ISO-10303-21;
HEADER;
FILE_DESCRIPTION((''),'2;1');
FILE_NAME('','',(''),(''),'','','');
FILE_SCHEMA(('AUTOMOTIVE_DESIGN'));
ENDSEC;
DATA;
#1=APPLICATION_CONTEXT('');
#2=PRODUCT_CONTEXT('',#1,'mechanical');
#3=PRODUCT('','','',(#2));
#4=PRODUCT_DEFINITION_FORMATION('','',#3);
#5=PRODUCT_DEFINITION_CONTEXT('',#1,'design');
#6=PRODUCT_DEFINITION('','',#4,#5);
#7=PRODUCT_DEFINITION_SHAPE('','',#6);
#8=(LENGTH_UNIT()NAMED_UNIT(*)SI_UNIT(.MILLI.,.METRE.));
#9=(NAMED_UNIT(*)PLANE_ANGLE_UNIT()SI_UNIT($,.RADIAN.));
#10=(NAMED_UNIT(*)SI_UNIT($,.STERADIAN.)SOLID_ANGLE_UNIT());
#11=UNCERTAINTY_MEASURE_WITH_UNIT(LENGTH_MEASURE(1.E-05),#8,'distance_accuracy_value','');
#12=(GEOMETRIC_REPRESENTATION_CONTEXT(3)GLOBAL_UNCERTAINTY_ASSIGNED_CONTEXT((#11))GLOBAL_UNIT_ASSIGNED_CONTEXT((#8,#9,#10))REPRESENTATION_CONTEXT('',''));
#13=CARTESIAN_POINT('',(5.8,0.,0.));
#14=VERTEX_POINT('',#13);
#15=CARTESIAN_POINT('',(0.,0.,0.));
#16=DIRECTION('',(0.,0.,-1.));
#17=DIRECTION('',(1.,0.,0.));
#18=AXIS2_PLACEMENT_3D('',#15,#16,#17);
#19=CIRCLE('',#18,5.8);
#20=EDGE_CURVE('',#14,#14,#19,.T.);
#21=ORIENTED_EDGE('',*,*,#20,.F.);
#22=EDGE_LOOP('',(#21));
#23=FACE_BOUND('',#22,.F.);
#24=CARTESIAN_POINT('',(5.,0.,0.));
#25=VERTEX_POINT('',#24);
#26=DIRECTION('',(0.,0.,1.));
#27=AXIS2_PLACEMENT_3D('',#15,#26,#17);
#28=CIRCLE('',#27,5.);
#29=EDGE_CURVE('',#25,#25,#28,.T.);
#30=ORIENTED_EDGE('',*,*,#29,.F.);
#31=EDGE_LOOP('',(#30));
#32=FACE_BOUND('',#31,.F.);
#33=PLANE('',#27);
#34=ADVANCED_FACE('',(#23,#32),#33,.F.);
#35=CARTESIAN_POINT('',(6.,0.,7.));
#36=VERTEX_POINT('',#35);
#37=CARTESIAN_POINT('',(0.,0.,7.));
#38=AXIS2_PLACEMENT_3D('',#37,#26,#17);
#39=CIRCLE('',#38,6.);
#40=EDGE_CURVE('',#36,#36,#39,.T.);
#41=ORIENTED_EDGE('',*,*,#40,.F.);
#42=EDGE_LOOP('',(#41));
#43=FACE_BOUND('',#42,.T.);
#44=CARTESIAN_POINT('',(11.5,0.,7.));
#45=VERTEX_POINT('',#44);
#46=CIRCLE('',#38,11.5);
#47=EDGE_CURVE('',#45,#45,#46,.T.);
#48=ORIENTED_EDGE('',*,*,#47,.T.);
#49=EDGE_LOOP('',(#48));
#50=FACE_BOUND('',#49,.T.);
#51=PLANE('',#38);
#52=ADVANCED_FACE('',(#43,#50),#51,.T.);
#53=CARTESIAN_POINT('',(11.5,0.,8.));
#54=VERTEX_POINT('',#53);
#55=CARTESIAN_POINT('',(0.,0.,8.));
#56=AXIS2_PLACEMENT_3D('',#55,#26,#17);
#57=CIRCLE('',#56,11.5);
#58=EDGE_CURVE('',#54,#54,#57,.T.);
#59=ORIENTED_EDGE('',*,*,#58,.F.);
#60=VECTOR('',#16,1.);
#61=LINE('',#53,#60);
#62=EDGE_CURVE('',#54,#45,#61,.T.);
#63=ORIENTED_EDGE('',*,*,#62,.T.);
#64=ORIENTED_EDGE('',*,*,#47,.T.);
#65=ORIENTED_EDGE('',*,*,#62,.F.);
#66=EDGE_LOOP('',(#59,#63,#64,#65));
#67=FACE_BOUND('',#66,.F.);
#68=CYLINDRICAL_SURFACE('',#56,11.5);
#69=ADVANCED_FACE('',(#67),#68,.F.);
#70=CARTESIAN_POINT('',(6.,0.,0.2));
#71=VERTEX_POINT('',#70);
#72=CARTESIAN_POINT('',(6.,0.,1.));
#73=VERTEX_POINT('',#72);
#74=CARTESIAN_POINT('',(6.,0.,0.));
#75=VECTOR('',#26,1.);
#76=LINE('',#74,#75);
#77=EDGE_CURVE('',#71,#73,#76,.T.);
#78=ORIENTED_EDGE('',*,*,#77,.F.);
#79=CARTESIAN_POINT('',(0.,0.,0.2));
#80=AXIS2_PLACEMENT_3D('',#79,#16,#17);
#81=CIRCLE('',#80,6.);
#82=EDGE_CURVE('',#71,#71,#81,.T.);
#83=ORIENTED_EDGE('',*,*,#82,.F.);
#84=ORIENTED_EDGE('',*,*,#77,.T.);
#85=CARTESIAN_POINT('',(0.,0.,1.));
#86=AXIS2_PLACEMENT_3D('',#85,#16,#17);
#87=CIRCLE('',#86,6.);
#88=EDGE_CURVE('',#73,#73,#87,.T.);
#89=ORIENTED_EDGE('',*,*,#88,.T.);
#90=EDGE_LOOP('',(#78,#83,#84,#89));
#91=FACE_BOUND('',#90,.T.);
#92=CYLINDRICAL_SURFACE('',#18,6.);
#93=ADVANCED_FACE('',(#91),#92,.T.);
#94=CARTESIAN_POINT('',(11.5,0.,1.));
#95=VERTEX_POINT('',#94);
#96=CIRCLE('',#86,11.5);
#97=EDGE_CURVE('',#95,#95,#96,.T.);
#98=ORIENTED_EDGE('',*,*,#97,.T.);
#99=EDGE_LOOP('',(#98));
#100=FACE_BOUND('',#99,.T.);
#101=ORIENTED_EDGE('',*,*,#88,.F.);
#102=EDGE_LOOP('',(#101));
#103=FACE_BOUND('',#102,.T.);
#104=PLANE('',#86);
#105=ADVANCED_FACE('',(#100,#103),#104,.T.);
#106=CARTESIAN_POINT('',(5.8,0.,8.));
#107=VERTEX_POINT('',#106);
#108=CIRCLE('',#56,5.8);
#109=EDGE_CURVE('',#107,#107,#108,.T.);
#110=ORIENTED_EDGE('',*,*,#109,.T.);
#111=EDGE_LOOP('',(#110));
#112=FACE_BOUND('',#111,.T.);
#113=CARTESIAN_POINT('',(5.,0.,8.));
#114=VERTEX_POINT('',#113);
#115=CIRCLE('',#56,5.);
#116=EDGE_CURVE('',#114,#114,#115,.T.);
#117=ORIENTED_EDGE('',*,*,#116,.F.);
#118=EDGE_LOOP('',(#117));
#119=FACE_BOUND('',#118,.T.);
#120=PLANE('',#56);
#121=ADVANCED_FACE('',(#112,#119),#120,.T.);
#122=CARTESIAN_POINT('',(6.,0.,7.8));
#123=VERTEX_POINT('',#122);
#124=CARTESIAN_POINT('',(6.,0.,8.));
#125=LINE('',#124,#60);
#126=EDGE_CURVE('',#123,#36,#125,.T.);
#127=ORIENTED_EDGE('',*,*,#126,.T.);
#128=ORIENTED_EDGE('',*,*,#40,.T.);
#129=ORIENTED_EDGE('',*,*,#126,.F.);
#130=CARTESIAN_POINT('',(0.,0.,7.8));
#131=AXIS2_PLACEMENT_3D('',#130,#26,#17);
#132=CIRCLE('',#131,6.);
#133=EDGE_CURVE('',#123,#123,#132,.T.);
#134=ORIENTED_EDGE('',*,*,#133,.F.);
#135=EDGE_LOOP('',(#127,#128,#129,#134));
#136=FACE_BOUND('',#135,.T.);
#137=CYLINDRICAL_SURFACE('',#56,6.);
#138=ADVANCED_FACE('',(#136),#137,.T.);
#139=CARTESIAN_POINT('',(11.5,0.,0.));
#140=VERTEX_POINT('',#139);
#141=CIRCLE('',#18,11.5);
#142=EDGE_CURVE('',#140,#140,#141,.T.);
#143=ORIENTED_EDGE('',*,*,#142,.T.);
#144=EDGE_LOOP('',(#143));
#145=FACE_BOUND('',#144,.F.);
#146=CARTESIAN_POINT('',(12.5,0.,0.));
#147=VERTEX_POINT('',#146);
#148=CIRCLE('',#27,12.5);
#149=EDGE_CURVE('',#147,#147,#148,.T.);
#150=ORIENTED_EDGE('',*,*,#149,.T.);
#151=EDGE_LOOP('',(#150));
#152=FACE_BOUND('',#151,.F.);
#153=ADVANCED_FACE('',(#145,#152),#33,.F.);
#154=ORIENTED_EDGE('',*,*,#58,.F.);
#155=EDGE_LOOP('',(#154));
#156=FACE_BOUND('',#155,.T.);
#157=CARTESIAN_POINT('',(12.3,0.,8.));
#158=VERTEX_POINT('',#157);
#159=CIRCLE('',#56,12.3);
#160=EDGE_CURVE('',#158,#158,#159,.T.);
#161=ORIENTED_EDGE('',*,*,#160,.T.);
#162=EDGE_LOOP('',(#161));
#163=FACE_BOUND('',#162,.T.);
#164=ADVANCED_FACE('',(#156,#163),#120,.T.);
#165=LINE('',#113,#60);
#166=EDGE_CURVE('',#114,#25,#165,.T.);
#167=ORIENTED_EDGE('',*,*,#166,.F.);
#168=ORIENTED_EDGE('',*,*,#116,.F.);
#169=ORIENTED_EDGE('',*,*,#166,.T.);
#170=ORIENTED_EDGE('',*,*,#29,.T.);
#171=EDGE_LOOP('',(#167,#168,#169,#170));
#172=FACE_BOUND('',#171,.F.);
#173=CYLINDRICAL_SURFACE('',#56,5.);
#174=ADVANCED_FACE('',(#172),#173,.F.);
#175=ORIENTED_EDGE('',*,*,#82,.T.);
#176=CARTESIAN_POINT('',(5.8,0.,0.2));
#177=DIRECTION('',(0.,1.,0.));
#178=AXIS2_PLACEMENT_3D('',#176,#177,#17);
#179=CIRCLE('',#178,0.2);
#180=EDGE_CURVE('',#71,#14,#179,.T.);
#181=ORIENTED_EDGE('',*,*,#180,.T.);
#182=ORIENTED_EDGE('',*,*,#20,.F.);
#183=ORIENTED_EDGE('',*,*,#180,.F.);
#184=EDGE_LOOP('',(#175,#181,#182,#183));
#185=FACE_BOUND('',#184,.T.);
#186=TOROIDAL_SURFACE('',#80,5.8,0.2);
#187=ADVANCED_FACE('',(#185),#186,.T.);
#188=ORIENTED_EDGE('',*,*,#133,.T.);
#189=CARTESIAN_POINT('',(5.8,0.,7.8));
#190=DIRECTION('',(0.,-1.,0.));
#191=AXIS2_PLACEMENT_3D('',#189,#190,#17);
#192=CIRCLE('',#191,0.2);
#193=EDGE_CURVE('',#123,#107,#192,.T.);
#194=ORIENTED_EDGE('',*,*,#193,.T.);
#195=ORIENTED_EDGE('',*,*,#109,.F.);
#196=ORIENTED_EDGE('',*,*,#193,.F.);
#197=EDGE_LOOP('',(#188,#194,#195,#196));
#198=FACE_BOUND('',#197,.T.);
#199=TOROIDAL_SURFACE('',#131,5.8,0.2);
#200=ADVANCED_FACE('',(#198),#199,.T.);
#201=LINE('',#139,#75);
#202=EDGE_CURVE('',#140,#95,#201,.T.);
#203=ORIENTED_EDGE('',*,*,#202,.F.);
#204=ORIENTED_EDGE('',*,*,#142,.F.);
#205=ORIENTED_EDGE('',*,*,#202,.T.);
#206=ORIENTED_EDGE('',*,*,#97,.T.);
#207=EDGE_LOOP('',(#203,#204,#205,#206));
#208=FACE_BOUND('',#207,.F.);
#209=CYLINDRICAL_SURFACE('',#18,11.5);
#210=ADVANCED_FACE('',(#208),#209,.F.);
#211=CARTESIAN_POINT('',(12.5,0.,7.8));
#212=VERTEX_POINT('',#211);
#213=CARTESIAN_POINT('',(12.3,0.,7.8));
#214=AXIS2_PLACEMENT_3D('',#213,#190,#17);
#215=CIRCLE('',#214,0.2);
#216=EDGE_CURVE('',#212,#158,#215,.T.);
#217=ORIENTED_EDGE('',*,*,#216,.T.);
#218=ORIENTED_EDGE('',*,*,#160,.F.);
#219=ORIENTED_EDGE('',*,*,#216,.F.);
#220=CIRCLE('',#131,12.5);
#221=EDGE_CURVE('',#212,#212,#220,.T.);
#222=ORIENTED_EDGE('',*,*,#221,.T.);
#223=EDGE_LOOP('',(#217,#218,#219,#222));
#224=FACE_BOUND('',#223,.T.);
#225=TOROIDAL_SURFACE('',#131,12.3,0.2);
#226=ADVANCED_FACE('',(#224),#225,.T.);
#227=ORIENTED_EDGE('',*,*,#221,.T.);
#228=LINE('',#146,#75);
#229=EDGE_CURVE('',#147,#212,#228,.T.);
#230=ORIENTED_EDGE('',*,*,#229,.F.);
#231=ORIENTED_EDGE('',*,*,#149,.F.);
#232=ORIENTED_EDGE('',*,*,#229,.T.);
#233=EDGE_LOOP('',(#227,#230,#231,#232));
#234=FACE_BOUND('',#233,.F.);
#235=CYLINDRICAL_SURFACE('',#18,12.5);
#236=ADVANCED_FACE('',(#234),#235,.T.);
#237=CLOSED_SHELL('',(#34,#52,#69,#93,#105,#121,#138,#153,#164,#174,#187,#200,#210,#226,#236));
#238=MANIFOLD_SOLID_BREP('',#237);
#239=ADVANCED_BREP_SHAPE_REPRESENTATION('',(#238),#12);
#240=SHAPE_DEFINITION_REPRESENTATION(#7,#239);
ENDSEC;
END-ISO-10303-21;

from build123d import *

# Parameters (mm, degrees)
F0_R     = 12.5
F1_DEPTH = 8
F2_R     = 5
F3_DEPTH = 8.001
F4_R     = 11.5
F4_R_2   = 6
F5_DEPTH = 1
F6_R     = 11.5
F6_R_2   = 6
F7_DEPTH = 1
F8_R     = 0.2


with BuildPart() as f1:
    # F0 (on Top) → F1 (new body)
    with BuildSketch(Plane.XY):
        Circle(F0_R)
    extrude(amount=F1_DEPTH)

    # F2 (on face) → F3 (cut, through all)
    with BuildSketch(Plane.XY.offset(8)):
        Circle(F2_R)
    extrude(amount=-F3_DEPTH, mode=Mode.SUBTRACT)

    # F4 (on face) → F5 (cut)
    with BuildSketch(Plane.XY.offset(8)):
        Circle(F4_R)
        Circle(F4_R_2, mode=Mode.SUBTRACT)
    extrude(amount=-F5_DEPTH, mode=Mode.SUBTRACT)

    # F6 (on face) → F7 (cut)
    with BuildSketch(Plane(origin=(0, 0, 0), x_dir=(1, 0, 0), z_dir=(0, 0, -1))):
        Circle(F6_R)
        Circle(F6_R_2, mode=Mode.SUBTRACT)
    extrude(amount=-F7_DEPTH, mode=Mode.SUBTRACT)

    # F8
    f8_edges = [f1.edges().sort_by_distance(p)[0] for p in [
        (-12.5, 0, 8),
        (-6, 0, 8),
        (-6, 0, 0),
    ]]
    fillet(f8_edges, radius=F8_R)


solid = f1.part
